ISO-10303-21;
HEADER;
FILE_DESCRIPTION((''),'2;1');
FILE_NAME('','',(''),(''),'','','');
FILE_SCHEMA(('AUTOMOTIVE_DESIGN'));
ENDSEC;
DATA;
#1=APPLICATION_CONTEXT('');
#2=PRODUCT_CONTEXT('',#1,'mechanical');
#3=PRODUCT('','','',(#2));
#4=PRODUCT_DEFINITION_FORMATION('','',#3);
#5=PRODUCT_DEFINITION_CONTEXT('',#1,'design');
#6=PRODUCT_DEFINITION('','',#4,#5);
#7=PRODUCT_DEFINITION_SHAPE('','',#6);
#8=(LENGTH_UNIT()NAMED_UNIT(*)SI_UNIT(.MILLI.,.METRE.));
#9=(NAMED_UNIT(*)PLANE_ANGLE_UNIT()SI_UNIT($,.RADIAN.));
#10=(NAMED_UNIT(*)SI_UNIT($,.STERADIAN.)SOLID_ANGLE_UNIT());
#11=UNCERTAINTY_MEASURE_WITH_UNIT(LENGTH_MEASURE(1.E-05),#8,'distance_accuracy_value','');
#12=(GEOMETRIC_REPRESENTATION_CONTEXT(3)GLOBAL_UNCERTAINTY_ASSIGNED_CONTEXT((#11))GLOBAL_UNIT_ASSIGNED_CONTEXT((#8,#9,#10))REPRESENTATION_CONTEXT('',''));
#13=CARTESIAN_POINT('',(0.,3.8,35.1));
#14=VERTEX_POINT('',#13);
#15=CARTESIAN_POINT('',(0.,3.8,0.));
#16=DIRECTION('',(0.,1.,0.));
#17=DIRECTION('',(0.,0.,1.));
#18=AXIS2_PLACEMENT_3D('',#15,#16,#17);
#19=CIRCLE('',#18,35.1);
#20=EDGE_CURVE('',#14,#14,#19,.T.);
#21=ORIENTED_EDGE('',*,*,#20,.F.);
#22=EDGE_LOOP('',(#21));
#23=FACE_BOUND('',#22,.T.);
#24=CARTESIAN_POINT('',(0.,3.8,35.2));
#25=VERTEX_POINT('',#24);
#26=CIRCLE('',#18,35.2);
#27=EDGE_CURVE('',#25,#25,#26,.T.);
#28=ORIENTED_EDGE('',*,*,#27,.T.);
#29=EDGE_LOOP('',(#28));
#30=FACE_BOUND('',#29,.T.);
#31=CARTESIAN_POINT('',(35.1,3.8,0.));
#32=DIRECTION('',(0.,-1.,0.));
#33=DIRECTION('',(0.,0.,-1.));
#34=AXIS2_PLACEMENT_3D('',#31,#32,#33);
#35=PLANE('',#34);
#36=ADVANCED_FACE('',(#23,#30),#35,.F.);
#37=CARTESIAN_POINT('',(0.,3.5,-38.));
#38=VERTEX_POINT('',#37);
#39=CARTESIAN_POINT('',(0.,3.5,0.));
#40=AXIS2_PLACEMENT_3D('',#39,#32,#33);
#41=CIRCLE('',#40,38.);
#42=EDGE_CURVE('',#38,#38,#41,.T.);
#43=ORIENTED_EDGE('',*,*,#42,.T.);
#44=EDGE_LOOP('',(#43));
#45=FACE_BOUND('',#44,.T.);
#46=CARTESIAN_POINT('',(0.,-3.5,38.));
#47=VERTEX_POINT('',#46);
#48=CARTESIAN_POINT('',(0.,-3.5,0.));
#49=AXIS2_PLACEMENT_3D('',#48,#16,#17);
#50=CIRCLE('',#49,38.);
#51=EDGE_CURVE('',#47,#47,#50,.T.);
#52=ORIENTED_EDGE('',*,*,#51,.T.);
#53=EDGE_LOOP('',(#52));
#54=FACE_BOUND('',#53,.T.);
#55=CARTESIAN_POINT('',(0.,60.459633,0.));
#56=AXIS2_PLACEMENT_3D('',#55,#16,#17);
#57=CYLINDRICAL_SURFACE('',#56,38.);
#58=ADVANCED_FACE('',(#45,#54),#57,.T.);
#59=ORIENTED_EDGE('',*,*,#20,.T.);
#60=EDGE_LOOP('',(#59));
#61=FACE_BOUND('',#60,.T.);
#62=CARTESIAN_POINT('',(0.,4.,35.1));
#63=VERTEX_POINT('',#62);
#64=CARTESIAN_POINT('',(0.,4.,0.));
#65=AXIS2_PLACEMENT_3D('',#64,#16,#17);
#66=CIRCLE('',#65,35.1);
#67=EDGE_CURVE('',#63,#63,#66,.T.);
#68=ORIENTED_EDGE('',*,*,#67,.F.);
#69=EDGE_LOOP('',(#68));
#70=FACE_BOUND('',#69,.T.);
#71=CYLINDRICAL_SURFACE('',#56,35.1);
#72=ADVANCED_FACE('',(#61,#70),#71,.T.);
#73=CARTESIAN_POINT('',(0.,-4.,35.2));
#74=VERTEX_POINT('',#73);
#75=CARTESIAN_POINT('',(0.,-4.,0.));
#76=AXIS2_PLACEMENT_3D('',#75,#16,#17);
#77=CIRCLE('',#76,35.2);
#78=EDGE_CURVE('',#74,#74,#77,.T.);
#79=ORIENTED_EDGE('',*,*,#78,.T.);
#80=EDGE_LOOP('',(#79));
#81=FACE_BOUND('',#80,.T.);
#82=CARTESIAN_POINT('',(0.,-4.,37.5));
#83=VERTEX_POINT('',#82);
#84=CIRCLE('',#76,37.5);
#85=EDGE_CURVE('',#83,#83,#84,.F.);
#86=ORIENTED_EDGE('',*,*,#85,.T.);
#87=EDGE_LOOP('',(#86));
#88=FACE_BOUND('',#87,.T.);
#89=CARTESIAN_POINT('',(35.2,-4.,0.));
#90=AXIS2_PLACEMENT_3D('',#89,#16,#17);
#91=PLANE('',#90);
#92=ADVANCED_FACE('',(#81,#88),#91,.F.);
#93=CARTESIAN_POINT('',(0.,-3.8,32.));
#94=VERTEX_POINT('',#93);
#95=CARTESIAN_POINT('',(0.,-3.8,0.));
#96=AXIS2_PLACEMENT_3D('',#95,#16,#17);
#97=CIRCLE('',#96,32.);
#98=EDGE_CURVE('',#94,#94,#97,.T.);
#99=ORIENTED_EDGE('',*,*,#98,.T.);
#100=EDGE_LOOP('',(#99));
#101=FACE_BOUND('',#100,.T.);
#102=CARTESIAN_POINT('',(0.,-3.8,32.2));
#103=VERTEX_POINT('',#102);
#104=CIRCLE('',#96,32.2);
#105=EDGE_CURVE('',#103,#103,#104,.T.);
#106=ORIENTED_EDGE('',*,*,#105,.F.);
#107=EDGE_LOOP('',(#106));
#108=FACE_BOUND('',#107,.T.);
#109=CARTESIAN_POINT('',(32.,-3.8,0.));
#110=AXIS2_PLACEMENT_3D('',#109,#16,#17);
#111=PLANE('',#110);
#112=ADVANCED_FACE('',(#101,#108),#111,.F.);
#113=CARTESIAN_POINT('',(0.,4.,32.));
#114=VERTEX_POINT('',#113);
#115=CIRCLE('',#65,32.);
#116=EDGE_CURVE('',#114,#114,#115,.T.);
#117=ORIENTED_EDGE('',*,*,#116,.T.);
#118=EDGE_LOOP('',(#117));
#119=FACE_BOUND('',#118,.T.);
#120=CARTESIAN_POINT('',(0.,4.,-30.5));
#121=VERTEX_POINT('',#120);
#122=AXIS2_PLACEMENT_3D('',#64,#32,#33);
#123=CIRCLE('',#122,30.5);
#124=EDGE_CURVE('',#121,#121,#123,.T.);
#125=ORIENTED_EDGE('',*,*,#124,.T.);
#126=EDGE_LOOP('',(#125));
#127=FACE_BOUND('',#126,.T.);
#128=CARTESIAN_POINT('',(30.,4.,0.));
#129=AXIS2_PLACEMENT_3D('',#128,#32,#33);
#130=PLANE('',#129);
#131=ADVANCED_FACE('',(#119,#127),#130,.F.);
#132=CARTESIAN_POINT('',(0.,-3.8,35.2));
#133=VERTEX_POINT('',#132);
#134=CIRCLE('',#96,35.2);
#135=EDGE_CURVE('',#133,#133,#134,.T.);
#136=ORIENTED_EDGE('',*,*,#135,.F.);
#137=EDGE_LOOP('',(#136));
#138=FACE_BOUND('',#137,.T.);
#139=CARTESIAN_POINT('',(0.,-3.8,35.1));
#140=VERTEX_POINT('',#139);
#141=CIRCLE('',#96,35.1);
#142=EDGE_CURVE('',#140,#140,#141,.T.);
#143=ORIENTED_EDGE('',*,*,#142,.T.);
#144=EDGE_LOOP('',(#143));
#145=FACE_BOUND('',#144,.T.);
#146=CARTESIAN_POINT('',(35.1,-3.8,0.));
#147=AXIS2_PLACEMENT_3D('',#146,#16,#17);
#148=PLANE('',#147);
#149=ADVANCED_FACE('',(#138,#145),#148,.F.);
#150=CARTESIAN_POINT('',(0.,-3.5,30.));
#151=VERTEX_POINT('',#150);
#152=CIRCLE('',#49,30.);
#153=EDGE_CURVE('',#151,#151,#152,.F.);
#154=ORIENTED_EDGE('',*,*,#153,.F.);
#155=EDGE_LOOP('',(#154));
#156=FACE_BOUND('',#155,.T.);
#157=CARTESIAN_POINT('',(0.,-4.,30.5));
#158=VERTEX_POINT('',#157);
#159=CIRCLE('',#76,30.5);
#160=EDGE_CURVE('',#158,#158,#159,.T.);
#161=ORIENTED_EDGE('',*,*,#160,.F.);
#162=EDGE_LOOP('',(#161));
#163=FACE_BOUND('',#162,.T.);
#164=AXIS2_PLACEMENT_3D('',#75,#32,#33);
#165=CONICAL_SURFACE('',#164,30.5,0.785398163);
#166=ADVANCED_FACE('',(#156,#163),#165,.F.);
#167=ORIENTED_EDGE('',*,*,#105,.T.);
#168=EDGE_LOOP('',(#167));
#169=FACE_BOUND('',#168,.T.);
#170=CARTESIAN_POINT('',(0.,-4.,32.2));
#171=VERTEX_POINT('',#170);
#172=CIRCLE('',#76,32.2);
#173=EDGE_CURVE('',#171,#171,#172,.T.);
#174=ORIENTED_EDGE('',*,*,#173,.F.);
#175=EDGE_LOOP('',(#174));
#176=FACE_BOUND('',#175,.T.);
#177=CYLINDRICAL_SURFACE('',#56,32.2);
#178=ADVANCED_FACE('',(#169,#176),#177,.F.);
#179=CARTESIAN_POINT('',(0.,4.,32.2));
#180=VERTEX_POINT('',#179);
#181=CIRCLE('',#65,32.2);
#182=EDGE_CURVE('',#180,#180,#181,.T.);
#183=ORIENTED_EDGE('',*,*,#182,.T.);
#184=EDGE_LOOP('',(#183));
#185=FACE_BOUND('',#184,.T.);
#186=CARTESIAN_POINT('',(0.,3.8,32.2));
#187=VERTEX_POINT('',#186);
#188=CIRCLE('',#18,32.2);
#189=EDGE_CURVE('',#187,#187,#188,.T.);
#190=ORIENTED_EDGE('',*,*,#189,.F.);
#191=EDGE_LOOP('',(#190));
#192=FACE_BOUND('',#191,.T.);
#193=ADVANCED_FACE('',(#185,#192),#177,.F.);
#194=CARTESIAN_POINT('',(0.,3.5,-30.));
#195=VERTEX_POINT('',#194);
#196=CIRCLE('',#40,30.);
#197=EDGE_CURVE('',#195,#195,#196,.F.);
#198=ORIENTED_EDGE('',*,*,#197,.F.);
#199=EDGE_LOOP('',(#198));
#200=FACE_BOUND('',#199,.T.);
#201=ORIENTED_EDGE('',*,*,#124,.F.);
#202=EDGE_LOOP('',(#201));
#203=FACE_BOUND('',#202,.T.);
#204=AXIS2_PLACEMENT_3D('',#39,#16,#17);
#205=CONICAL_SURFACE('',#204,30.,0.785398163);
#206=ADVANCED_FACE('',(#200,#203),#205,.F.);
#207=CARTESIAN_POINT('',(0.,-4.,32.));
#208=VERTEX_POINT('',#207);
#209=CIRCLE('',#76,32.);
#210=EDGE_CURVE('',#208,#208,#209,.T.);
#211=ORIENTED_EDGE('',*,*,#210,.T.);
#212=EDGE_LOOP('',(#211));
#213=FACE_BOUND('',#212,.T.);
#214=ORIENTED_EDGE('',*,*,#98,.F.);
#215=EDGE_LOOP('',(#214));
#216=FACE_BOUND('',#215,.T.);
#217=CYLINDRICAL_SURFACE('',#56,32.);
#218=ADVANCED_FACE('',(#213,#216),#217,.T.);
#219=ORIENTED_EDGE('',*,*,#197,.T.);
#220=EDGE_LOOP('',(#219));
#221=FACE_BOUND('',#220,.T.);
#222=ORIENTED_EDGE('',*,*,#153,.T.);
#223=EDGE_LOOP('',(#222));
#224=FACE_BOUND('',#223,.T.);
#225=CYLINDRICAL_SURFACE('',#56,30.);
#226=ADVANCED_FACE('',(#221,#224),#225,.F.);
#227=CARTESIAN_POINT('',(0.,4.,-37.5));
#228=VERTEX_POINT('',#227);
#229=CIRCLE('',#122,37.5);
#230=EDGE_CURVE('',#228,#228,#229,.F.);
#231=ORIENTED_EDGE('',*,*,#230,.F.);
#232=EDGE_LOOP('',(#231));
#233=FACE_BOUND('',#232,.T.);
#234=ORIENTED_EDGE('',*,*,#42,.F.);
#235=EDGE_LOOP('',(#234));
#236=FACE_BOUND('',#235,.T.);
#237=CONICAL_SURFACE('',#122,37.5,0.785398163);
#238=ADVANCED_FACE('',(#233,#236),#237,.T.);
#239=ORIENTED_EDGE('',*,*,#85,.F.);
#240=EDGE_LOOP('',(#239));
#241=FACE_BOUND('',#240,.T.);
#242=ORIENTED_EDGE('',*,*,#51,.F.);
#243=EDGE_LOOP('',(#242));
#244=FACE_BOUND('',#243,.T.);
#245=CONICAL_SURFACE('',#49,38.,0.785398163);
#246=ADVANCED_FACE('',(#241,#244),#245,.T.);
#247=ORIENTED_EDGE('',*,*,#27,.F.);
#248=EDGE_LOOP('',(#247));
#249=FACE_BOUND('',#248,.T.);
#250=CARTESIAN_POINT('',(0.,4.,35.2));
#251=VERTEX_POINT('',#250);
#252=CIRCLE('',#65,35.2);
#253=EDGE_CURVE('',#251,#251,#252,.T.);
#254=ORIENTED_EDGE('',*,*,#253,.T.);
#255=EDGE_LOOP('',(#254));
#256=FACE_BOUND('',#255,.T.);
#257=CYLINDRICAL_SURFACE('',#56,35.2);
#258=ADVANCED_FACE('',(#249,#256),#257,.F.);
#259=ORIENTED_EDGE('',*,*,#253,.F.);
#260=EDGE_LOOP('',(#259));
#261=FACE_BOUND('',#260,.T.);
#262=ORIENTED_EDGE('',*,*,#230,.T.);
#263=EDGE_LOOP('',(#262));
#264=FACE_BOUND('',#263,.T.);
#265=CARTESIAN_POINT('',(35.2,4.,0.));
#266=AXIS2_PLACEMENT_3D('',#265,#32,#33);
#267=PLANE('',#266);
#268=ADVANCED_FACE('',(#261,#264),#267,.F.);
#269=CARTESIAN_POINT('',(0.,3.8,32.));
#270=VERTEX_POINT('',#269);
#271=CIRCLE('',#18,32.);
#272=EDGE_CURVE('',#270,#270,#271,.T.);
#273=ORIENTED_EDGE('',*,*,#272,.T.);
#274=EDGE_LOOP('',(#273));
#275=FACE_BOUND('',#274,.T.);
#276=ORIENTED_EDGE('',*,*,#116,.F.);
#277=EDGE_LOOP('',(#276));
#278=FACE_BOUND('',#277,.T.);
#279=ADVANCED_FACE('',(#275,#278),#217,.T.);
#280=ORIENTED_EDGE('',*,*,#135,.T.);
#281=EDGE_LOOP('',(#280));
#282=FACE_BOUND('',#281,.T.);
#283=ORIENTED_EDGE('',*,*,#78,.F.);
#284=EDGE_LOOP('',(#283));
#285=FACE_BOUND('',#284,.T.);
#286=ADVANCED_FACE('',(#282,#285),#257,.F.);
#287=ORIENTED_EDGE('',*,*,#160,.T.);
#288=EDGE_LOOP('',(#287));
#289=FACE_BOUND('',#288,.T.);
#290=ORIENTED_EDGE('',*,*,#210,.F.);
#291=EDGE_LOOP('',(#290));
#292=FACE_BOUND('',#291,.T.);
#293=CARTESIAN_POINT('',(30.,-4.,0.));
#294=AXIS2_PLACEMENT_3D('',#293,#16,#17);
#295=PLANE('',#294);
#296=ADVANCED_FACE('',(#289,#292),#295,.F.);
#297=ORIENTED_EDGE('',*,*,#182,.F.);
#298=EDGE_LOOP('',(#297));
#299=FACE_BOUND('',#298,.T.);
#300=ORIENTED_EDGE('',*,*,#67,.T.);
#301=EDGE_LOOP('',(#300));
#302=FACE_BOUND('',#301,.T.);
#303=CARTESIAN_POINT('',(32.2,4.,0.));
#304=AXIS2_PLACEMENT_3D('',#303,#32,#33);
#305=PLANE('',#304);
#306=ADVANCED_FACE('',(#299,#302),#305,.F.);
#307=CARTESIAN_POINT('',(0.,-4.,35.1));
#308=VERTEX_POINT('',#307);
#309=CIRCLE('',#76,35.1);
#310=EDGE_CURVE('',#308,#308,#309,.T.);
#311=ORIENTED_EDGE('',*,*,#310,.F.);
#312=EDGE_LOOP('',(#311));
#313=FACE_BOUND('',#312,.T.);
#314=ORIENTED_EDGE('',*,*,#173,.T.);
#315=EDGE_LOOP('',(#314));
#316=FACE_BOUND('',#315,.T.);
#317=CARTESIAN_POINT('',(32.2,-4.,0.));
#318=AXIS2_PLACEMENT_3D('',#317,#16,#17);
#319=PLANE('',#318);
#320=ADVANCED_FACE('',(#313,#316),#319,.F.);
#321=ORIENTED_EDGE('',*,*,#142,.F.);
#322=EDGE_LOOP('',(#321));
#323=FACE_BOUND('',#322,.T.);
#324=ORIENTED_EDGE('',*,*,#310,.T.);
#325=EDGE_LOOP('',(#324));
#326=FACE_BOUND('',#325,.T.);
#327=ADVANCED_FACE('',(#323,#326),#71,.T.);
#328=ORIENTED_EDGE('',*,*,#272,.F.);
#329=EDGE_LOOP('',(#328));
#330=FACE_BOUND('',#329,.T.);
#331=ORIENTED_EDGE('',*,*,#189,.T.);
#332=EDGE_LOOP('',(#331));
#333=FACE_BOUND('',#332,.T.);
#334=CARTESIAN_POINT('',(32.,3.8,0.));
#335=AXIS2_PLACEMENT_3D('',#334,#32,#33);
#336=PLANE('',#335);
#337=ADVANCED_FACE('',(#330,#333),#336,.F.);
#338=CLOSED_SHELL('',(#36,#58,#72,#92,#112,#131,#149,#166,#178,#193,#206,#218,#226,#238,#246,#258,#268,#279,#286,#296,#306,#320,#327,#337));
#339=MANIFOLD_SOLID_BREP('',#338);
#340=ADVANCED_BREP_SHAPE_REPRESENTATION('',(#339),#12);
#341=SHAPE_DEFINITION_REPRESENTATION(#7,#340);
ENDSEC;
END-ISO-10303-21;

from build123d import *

# Parameters (mm, degrees)
CHAMFER_1_SIZE = 0.5


with BuildPart() as part:
    # 草图1 → 旋转1 (revolve)
    with BuildSketch(Plane.XY):
        Polygon((30, -4), (30, 4), (32, 4), (32, 3.8), (32.2, 3.8), (32.2, 4), (35.1, 4), (35.1, 3.8), (35.2, 3.8), (35.2, 4), (38, 4), (38, -4), (35.2, -4), (35.2, -3.8), (35.1, -3.8), (35.1, -4), (32.2, -4), (32.2, -3.8), (32, -3.8), (32, -4), align=None)
    revolve(axis=Axis((0, 60.459632728, 0), (0, -1, 0)))

    # 倒角1
    chamfer_1_edges = [part.edges().sort_by_distance(p)[0] for p in [
        (-38, 4, 0),
        (-38, -4, 0),
        (-30, -4, 0),
        (-30, 4, 0),
    ]]
    chamfer(chamfer_1_edges, length=CHAMFER_1_SIZE)


solid = part.part
